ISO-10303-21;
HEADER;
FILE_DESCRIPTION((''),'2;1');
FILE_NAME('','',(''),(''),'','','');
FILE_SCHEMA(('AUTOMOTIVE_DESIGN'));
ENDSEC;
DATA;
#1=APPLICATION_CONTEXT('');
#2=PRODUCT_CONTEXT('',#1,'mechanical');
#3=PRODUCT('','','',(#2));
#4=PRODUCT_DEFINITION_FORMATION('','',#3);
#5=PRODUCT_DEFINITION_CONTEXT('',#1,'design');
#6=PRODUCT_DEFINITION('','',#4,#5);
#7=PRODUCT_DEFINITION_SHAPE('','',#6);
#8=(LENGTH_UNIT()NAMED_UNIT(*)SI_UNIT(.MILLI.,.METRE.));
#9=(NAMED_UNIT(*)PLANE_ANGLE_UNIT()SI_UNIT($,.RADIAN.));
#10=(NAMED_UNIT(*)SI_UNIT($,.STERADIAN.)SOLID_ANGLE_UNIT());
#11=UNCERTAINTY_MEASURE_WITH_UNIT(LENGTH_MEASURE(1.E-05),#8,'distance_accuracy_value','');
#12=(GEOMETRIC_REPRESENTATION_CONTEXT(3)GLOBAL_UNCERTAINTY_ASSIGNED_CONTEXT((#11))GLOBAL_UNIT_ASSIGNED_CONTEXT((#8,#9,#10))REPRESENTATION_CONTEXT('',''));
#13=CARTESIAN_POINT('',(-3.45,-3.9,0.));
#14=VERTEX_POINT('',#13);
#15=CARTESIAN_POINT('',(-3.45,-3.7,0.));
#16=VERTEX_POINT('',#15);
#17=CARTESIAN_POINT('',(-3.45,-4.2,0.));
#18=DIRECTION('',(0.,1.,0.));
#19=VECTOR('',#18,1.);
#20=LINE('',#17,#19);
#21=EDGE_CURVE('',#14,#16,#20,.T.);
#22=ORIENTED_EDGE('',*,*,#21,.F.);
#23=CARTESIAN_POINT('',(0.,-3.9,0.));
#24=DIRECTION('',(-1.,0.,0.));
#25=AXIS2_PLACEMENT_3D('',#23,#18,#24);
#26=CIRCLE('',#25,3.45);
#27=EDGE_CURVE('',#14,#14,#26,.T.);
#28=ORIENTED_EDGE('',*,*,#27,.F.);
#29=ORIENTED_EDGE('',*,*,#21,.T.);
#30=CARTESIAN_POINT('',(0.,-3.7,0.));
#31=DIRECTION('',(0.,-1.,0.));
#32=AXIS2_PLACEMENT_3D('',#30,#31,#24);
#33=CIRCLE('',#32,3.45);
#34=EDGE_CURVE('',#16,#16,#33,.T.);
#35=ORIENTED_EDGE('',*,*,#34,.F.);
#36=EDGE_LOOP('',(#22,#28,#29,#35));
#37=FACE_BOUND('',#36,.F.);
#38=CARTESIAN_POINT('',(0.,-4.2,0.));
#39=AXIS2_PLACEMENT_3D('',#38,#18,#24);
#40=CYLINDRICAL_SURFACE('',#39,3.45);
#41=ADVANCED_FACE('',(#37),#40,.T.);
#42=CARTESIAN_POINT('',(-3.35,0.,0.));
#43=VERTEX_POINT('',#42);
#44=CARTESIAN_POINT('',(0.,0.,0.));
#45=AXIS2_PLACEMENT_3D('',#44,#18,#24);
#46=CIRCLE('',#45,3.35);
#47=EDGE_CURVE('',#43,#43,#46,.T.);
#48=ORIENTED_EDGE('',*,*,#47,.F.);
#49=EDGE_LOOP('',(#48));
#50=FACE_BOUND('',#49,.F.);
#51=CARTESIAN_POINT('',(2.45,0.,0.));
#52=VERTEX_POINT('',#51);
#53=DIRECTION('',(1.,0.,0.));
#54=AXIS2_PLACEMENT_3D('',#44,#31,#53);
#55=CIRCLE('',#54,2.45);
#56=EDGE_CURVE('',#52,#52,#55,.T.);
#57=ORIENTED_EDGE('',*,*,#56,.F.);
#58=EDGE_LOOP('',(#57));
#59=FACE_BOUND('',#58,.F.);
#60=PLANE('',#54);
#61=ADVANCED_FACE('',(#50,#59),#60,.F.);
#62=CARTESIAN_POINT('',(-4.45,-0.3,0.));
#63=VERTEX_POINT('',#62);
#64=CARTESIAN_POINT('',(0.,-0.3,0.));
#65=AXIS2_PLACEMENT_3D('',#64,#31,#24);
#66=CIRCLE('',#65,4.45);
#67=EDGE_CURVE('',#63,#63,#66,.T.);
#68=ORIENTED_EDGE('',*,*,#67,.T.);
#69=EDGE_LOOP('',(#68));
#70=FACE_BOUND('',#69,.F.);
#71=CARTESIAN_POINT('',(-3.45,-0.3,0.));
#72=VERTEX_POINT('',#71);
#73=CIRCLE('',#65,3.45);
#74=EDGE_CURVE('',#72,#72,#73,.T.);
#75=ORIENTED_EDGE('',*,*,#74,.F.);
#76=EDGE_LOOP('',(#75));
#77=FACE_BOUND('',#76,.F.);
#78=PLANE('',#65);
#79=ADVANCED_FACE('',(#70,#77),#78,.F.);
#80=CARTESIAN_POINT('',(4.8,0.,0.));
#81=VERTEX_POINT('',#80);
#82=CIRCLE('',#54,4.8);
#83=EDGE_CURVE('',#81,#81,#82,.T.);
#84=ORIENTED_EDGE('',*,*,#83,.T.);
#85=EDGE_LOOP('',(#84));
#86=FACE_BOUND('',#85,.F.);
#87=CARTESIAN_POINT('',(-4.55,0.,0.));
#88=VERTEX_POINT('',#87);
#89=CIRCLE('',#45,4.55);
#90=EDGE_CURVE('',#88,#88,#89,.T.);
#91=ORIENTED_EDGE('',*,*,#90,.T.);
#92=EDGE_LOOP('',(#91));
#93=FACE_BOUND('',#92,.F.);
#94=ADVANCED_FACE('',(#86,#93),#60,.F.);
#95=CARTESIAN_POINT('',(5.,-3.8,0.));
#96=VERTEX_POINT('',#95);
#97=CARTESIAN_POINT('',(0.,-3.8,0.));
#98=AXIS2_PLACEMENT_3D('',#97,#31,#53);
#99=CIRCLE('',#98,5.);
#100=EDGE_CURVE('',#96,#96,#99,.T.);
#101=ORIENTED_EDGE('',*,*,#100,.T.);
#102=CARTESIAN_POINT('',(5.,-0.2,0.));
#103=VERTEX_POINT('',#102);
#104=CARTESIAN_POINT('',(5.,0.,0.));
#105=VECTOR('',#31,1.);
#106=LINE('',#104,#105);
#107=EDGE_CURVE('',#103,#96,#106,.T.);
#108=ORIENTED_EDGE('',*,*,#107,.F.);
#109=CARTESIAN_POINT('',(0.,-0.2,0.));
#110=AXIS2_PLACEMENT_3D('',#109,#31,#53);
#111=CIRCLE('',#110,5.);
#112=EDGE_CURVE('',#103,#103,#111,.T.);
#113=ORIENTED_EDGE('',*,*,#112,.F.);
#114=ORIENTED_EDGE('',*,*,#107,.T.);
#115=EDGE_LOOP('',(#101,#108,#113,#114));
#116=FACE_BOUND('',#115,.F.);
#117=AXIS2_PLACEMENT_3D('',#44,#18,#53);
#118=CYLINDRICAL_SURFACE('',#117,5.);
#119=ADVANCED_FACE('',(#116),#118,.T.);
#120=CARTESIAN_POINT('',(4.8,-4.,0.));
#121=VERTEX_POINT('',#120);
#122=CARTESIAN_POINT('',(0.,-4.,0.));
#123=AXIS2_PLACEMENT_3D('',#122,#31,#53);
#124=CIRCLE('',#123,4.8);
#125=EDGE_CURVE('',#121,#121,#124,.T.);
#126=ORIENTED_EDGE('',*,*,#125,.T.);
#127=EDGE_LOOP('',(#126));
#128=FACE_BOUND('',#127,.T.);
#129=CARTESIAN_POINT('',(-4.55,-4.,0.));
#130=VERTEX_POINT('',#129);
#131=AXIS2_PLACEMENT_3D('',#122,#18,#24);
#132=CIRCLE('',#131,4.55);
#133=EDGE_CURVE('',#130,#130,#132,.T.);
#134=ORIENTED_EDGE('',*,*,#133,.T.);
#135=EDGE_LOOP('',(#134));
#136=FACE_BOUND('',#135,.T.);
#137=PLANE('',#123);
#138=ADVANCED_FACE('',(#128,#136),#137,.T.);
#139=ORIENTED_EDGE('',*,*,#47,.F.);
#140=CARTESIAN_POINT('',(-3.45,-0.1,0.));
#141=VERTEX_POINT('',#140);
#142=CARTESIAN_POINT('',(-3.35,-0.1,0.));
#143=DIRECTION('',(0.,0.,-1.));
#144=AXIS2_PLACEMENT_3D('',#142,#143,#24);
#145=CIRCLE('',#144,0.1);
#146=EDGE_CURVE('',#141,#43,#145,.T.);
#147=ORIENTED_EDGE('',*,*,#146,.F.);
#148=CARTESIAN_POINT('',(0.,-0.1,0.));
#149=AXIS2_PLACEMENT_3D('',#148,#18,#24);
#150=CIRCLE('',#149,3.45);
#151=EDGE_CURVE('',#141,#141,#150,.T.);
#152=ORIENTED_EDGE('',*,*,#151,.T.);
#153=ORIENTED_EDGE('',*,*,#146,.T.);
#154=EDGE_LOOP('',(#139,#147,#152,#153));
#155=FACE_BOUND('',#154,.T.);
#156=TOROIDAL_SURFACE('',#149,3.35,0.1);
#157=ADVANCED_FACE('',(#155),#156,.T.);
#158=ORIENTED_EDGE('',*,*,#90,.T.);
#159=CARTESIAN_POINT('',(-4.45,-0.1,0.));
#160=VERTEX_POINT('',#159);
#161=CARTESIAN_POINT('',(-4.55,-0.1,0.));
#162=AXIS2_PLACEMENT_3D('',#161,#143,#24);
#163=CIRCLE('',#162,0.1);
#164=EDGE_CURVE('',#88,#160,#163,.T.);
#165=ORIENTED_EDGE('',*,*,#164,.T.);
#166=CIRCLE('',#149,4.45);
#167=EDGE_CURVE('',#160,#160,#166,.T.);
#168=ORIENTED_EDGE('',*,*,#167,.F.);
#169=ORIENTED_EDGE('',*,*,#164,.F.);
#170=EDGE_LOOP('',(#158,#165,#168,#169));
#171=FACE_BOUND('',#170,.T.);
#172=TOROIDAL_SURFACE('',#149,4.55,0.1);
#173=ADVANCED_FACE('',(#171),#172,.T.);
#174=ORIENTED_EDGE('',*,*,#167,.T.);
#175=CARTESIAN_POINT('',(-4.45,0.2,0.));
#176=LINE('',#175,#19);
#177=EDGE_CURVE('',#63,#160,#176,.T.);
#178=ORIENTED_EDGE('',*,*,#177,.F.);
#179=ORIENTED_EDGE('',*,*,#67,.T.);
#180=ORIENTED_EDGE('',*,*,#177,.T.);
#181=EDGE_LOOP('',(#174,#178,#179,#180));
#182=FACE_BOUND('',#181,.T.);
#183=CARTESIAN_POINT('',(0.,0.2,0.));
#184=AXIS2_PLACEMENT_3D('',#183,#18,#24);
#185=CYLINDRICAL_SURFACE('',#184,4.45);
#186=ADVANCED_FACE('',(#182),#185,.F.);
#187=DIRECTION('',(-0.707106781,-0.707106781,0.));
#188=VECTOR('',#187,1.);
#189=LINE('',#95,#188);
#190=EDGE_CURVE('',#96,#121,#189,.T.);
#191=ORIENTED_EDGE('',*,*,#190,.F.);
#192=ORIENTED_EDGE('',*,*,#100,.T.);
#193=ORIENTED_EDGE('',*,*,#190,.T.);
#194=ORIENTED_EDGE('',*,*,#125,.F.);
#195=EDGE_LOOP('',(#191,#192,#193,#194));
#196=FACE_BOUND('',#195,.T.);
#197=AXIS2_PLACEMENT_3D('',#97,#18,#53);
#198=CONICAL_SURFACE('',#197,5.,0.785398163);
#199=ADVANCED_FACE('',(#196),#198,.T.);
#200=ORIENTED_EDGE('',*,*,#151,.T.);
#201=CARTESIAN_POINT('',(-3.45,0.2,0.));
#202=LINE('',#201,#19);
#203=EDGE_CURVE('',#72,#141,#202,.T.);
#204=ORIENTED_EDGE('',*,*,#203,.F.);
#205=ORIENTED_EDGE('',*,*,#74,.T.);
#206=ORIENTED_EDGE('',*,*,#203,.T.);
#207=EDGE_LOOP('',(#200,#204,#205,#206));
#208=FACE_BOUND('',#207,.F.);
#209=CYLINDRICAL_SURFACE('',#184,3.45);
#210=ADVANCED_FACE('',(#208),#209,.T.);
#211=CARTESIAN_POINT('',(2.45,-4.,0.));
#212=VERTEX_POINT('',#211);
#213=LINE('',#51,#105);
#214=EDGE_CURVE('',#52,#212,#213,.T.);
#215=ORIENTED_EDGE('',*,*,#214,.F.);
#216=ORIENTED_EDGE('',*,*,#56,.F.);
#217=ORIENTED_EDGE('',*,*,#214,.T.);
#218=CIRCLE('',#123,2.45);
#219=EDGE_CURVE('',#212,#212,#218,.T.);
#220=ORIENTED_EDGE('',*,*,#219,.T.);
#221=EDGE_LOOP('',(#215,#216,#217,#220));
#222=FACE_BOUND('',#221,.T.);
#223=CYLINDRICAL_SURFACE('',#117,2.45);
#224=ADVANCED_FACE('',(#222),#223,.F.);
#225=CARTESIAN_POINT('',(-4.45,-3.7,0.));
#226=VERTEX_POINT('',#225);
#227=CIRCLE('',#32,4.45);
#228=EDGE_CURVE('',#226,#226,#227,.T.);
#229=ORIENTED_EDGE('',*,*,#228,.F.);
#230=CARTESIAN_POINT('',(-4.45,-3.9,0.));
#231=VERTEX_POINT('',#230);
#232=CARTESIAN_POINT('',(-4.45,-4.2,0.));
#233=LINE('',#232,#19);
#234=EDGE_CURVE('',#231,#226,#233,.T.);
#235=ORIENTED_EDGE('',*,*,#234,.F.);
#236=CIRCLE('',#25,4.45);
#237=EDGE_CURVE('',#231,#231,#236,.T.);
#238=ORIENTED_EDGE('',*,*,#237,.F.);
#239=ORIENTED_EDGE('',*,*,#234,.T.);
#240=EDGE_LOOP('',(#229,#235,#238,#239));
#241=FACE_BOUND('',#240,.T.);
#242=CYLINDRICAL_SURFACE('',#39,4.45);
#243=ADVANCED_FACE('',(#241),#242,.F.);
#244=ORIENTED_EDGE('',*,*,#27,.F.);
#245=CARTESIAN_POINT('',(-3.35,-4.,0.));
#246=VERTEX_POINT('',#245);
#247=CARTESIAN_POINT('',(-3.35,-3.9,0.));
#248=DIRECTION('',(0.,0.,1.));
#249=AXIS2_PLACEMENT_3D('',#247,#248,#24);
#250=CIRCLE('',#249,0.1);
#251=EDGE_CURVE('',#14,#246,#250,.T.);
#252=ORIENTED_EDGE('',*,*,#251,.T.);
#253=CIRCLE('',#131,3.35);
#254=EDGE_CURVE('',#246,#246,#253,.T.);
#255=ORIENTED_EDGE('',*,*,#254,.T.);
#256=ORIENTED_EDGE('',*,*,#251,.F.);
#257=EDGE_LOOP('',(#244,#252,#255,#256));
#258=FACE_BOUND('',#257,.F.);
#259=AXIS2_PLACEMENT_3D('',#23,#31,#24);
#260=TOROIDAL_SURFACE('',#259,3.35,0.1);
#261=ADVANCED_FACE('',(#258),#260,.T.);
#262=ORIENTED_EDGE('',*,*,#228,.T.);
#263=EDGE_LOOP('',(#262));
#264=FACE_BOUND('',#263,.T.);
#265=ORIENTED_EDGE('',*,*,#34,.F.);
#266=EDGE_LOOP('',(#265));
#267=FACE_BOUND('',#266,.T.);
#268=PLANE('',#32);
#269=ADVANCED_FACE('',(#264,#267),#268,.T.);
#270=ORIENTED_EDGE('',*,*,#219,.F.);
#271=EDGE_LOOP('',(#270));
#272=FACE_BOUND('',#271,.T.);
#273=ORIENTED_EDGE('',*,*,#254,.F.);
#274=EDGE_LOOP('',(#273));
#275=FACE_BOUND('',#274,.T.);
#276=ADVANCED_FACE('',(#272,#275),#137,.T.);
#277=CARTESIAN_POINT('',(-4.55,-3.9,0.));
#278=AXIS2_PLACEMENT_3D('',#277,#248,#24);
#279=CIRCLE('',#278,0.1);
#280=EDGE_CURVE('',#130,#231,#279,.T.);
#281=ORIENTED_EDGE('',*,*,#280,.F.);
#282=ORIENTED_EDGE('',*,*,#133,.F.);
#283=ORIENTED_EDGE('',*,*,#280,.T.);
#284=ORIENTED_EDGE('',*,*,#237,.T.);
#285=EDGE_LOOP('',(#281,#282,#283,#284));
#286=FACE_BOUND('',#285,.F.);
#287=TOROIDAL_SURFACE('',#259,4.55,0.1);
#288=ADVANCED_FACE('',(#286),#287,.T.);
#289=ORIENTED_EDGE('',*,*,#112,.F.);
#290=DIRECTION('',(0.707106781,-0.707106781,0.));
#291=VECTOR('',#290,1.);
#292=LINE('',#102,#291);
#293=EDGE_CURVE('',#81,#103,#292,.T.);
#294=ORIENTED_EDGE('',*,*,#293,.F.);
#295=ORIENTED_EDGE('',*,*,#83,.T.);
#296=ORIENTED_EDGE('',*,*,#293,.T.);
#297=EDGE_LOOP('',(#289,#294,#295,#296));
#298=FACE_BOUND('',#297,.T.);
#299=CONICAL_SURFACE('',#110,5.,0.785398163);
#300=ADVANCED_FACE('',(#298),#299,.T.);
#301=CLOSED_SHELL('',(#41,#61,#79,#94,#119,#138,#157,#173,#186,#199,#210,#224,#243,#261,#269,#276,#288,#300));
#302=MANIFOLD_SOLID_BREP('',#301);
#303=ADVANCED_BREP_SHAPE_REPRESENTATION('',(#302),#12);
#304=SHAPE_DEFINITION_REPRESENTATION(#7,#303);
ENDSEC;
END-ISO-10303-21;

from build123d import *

# Parameters (mm, degrees)
F0_R     = 5
F0_R_2   = 2.45
F1_DEPTH = 4
F3_W     = 1
F3_H     = 1
F5_R     = 0.1
F6_SIZE  = 0.2


with BuildPart() as f1:
    # F0 (on Front) → F1 (new body)
    with BuildSketch(Plane.XZ):
        Circle(F0_R)
        Circle(F0_R_2, mode=Mode.SUBTRACT)
    extrude(amount=F1_DEPTH)

    # F3 (on Top) → F4 (revolve, cut)
    with BuildSketch(Plane.XY):
        with Locations((-3.95, 0.2)):
            Rectangle(F3_W, F3_H)
        with Locations((-3.95, -4.2)):
            Rectangle(F3_W, F3_H)
    revolve(axis=Axis((0, -5.5422200821, 0), (0, -1, 0)), mode=Mode.SUBTRACT)

    # F5
    f5_edges = [f1.edges().sort_by_distance(p)[0] for p in [
        (4.45, 0, 0),
        (3.45, 0, 0),
        (4.45, -4, 0),
        (3.45, -4, 0),
    ]]
    fillet(f5_edges, radius=F5_R)

    # F6
    f6_edges = [f1.edges().sort_by_distance(p)[0] for p in [
        (-5, -4, 0),
        (-5, 0, 0),
    ]]
    chamfer(f6_edges, length=F6_SIZE)


solid = f1.part
